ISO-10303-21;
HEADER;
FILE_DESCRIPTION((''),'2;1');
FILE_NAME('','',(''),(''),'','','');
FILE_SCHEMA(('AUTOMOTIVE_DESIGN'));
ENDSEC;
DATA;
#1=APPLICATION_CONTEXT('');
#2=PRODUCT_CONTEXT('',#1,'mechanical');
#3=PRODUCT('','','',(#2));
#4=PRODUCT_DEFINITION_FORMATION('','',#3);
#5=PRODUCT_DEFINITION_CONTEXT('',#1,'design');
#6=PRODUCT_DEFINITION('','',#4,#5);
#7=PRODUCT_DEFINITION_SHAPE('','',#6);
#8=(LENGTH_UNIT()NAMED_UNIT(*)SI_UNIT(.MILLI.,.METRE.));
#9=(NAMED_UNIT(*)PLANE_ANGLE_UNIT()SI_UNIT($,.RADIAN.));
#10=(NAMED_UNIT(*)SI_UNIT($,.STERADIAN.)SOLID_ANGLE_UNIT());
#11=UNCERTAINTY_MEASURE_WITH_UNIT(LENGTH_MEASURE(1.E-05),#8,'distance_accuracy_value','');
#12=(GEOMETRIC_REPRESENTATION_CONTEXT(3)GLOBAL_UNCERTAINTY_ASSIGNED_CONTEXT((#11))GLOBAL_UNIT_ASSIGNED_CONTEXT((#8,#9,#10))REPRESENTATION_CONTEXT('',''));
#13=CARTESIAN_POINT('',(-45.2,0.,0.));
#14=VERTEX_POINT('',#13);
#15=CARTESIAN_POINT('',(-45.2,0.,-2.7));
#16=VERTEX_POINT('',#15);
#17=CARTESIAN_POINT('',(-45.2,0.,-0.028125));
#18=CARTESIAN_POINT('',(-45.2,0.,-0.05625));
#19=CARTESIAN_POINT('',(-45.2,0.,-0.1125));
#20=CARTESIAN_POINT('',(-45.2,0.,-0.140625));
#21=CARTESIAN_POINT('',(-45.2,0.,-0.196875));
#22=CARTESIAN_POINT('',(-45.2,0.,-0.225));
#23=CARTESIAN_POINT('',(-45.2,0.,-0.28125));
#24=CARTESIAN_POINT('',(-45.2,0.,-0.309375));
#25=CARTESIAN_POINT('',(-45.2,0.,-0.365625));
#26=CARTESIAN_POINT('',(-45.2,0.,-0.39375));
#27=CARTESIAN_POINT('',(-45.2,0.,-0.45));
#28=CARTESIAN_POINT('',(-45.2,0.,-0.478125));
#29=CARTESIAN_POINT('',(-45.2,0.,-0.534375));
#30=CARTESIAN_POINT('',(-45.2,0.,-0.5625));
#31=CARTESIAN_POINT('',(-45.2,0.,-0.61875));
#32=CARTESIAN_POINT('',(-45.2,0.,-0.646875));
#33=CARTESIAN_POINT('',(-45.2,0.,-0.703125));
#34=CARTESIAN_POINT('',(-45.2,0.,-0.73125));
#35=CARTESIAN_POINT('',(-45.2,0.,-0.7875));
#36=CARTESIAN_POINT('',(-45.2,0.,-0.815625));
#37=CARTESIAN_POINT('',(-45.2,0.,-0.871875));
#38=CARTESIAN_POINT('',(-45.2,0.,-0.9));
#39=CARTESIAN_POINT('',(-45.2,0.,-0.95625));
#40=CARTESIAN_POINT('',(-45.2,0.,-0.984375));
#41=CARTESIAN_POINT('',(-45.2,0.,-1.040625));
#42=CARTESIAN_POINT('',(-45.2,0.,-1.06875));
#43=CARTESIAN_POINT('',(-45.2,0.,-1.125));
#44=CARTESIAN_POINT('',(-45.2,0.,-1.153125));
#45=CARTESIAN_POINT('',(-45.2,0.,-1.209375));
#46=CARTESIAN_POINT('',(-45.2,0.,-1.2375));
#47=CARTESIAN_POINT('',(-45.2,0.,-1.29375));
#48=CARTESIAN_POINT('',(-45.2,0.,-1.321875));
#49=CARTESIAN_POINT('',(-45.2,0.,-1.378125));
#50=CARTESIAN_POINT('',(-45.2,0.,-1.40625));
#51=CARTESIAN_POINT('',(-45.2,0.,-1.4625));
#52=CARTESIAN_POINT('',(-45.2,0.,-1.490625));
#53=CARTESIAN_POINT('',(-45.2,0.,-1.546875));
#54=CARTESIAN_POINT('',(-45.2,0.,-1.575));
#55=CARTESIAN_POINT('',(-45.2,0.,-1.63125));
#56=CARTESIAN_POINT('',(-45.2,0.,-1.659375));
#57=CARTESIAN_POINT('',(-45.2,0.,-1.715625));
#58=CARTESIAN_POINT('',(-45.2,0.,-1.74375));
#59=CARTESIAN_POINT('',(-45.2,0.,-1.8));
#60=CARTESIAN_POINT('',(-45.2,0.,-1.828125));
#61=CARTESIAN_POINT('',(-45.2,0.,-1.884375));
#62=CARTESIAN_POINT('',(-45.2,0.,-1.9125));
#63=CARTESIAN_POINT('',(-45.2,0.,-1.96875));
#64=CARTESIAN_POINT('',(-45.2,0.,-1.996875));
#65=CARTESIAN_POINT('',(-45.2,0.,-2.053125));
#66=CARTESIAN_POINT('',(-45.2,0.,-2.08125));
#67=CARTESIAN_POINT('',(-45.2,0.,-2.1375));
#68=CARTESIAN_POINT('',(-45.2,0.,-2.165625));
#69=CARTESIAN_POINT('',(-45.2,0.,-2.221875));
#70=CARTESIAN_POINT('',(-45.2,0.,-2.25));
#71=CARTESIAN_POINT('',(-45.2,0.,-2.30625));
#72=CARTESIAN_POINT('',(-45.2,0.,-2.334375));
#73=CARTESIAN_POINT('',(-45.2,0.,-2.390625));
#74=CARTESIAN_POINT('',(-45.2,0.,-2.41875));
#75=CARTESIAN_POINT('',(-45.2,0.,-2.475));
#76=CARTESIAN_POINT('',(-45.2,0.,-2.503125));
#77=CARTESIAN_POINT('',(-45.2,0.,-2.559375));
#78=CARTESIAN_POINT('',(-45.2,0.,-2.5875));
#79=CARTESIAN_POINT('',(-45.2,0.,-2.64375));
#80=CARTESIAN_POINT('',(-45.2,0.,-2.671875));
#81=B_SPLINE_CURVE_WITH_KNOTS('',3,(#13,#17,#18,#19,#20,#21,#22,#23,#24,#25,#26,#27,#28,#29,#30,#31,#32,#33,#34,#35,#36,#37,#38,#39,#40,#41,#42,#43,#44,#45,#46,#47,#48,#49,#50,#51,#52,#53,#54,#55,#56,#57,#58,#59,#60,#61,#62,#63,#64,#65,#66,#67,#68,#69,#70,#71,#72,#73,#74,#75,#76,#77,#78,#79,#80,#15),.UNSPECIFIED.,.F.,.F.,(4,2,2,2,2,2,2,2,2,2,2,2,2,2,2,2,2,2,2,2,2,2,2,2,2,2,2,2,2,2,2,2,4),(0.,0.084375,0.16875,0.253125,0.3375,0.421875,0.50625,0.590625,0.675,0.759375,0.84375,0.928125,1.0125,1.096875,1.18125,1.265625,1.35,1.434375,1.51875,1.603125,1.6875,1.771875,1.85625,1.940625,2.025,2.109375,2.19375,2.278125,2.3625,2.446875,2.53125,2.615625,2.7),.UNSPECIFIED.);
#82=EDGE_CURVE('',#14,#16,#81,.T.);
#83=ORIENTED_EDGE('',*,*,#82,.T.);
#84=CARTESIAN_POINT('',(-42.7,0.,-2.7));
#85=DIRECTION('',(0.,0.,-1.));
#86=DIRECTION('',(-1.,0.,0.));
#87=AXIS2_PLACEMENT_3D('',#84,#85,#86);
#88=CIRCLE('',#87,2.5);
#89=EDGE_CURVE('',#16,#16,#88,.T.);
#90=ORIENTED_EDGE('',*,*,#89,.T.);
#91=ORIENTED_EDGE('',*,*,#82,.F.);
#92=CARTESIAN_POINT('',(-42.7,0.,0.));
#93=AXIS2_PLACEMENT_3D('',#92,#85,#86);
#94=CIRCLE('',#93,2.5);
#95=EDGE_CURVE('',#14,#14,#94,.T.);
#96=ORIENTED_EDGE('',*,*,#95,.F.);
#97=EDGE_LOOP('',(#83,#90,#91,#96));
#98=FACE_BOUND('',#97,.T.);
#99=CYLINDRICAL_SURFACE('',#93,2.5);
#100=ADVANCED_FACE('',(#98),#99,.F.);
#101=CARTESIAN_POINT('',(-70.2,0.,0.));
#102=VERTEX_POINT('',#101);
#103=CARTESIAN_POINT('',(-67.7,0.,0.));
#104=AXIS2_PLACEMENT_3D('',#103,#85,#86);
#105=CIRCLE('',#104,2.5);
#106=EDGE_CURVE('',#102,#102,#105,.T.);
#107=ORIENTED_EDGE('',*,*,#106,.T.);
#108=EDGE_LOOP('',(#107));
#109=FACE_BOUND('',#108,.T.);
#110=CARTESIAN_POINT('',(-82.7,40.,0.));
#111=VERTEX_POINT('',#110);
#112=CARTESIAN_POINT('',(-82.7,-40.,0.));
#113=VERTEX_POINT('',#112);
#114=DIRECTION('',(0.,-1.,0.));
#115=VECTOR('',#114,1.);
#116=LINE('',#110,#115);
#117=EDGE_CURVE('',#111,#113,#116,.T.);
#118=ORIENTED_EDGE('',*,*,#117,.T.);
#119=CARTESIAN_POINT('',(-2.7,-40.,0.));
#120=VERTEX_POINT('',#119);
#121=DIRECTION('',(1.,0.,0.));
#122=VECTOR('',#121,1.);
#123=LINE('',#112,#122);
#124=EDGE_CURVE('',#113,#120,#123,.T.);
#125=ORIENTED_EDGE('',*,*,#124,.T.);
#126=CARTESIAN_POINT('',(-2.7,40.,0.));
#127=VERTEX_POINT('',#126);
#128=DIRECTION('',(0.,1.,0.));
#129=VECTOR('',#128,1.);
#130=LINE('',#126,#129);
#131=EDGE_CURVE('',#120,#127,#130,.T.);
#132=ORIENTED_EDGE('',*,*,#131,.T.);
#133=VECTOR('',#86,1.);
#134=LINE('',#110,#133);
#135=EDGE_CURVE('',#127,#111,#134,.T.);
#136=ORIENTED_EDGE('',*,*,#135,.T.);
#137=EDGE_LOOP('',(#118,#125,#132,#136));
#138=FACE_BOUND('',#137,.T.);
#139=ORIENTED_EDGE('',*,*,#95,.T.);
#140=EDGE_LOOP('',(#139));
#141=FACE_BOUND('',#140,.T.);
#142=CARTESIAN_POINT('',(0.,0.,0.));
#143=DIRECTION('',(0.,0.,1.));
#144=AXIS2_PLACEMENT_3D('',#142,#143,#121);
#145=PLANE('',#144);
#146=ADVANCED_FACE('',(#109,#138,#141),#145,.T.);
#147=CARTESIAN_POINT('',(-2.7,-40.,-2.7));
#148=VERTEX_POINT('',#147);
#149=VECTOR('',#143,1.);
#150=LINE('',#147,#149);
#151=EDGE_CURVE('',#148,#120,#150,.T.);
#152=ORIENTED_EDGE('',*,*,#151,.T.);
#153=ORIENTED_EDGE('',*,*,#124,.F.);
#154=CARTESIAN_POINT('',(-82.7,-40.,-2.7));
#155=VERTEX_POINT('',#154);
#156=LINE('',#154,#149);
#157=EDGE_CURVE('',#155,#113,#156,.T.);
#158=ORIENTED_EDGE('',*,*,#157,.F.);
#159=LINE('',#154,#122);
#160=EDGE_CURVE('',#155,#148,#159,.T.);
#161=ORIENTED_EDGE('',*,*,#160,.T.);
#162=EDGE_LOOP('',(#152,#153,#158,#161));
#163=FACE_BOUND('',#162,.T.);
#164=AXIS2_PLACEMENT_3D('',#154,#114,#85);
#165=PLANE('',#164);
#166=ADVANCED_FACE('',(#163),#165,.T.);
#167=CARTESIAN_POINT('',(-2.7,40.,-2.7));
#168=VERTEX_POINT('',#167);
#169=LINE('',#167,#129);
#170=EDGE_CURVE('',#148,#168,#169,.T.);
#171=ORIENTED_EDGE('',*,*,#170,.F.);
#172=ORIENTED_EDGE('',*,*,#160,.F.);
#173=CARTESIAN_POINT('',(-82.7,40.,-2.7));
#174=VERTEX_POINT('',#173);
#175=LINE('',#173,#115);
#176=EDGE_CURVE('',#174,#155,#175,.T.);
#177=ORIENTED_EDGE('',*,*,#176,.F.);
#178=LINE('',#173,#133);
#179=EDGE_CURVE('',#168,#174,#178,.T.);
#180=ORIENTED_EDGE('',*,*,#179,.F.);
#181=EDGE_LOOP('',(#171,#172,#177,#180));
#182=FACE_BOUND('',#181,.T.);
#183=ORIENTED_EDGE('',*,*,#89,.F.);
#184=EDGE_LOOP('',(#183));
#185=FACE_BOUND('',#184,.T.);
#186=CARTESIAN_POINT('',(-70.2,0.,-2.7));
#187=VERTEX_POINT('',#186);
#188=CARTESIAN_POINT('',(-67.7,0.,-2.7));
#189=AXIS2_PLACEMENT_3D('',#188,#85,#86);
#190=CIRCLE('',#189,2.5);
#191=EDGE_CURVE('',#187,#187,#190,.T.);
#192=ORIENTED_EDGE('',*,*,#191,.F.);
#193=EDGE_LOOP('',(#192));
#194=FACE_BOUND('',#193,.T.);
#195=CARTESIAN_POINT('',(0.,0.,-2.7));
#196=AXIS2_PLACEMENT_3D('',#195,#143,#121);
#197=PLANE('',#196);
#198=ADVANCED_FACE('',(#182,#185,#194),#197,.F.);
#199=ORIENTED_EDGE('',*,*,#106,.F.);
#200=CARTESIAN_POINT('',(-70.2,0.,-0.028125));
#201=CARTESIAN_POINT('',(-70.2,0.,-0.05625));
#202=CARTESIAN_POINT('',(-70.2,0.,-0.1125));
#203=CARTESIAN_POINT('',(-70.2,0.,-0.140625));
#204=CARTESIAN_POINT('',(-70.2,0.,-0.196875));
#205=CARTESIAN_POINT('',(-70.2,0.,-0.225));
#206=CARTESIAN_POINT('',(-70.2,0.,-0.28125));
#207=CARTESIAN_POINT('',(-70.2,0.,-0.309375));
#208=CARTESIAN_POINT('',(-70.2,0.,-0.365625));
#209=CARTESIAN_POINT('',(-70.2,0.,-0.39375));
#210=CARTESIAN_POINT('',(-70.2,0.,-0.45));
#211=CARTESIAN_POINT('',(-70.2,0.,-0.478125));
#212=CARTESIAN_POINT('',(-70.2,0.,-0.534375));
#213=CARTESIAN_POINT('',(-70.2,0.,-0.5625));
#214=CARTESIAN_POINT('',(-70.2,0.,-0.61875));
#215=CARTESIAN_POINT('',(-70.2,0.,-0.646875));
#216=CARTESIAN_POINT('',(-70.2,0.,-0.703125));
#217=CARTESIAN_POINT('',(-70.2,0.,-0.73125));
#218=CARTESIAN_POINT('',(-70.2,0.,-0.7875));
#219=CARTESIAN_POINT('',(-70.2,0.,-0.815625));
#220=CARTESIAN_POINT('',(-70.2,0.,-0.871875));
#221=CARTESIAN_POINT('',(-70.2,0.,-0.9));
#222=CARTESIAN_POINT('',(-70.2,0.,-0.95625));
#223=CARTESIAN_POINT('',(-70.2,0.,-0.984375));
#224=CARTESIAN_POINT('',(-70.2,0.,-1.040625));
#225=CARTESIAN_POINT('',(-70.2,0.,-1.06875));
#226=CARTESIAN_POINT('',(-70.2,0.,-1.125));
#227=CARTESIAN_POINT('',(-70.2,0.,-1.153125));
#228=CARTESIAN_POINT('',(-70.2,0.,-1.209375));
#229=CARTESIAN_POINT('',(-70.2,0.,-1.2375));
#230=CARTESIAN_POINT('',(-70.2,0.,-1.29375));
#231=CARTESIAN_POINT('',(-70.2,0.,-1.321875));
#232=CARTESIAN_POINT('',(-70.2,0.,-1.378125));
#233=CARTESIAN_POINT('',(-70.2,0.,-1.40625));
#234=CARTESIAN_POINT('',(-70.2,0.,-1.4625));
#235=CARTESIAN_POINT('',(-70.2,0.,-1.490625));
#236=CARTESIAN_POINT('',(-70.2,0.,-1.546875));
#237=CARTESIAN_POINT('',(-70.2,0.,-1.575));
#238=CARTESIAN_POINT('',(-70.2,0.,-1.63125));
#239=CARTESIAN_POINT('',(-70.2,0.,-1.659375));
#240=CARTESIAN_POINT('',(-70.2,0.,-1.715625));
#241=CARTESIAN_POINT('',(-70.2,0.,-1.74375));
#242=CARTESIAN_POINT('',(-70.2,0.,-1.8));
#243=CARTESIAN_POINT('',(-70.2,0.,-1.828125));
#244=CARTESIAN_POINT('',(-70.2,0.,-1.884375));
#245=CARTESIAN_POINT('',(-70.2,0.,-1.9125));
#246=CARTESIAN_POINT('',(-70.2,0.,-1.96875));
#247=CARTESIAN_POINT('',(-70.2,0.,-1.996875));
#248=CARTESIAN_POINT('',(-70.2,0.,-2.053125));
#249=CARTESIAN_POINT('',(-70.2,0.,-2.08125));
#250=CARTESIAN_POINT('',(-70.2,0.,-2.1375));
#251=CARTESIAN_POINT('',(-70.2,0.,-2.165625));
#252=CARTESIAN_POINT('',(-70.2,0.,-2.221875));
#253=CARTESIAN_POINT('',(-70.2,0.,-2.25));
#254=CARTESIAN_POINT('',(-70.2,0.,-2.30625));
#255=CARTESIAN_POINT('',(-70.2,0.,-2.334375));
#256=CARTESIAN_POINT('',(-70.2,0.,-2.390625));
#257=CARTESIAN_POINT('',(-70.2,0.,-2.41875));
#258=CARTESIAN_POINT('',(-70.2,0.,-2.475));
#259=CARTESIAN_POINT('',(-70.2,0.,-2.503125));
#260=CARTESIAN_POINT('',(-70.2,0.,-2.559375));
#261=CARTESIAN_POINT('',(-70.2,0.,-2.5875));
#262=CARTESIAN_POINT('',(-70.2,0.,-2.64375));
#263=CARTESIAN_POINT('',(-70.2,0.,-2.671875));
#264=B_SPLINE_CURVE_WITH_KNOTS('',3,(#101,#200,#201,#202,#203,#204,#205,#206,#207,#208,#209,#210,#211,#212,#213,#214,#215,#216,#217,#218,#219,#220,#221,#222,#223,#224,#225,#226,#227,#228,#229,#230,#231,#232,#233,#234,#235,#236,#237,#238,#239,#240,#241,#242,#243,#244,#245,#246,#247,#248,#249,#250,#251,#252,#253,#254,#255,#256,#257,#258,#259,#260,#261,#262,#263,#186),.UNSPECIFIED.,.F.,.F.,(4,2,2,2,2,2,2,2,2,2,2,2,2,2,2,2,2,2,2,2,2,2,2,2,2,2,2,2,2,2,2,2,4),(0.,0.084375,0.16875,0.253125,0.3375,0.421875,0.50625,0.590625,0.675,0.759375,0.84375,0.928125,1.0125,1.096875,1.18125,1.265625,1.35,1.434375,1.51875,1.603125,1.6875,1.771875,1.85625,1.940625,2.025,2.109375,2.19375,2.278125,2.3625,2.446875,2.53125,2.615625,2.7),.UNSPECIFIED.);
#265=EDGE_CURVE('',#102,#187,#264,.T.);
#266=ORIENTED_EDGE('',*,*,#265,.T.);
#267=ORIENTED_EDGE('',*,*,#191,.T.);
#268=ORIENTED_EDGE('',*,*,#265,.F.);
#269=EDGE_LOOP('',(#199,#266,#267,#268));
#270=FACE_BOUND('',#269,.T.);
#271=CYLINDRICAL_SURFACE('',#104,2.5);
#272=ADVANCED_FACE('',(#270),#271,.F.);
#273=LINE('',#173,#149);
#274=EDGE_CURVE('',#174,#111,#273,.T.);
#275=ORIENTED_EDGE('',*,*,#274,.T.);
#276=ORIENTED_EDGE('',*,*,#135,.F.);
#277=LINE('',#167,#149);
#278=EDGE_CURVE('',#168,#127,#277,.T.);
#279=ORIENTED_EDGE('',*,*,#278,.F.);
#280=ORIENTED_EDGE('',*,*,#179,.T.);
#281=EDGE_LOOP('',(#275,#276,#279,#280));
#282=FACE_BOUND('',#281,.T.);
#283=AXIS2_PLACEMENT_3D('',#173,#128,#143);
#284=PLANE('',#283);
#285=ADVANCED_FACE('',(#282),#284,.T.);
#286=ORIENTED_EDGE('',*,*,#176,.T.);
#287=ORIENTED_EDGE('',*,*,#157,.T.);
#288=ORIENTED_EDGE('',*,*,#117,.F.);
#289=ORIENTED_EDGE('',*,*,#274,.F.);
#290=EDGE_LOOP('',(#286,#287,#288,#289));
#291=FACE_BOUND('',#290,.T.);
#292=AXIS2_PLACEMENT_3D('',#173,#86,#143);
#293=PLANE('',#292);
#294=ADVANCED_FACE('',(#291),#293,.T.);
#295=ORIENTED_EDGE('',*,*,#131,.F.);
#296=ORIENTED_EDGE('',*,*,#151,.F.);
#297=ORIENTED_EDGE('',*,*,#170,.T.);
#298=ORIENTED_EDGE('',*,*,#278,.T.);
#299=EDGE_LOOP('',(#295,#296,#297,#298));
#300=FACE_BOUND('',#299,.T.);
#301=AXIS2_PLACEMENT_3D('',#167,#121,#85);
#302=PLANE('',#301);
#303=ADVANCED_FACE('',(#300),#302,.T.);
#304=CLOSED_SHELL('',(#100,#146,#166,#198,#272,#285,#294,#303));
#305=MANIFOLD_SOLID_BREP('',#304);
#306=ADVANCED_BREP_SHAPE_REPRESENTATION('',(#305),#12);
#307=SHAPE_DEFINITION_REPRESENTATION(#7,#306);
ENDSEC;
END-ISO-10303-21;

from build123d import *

# Parameters (mm, degrees)
CROQUIS1_W              = 80
CROQUIS1_H              = 80
SALIENTE_EXTRUIR2_DEPTH = 2.7
CROQUIS2_R              = 2.5
CORTAR_EXTRUIR1_DEPTH   = 2.7


with BuildPart() as part:
    # Croquis1 → Saliente-Extruir2 (new body)
    with BuildSketch(Plane.XY):
        with Locations((-42.7, 0)):
            Rectangle(CROQUIS1_W, CROQUIS1_H)
    extrude(amount=-SALIENTE_EXTRUIR2_DEPTH)

    # Croquis2 → Cortar-Extruir1 (cut)
    with BuildSketch(Plane(origin=(0, 0, -2.7), x_dir=(-1, 0, 0), z_dir=(0, 0, -1))):
        with Locations((67.7, 0)):
            Circle(CROQUIS2_R)
        with Locations((42.7, 0)):
            Circle(CROQUIS2_R)
    extrude(amount=-CORTAR_EXTRUIR1_DEPTH, mode=Mode.SUBTRACT)


solid = part.part
